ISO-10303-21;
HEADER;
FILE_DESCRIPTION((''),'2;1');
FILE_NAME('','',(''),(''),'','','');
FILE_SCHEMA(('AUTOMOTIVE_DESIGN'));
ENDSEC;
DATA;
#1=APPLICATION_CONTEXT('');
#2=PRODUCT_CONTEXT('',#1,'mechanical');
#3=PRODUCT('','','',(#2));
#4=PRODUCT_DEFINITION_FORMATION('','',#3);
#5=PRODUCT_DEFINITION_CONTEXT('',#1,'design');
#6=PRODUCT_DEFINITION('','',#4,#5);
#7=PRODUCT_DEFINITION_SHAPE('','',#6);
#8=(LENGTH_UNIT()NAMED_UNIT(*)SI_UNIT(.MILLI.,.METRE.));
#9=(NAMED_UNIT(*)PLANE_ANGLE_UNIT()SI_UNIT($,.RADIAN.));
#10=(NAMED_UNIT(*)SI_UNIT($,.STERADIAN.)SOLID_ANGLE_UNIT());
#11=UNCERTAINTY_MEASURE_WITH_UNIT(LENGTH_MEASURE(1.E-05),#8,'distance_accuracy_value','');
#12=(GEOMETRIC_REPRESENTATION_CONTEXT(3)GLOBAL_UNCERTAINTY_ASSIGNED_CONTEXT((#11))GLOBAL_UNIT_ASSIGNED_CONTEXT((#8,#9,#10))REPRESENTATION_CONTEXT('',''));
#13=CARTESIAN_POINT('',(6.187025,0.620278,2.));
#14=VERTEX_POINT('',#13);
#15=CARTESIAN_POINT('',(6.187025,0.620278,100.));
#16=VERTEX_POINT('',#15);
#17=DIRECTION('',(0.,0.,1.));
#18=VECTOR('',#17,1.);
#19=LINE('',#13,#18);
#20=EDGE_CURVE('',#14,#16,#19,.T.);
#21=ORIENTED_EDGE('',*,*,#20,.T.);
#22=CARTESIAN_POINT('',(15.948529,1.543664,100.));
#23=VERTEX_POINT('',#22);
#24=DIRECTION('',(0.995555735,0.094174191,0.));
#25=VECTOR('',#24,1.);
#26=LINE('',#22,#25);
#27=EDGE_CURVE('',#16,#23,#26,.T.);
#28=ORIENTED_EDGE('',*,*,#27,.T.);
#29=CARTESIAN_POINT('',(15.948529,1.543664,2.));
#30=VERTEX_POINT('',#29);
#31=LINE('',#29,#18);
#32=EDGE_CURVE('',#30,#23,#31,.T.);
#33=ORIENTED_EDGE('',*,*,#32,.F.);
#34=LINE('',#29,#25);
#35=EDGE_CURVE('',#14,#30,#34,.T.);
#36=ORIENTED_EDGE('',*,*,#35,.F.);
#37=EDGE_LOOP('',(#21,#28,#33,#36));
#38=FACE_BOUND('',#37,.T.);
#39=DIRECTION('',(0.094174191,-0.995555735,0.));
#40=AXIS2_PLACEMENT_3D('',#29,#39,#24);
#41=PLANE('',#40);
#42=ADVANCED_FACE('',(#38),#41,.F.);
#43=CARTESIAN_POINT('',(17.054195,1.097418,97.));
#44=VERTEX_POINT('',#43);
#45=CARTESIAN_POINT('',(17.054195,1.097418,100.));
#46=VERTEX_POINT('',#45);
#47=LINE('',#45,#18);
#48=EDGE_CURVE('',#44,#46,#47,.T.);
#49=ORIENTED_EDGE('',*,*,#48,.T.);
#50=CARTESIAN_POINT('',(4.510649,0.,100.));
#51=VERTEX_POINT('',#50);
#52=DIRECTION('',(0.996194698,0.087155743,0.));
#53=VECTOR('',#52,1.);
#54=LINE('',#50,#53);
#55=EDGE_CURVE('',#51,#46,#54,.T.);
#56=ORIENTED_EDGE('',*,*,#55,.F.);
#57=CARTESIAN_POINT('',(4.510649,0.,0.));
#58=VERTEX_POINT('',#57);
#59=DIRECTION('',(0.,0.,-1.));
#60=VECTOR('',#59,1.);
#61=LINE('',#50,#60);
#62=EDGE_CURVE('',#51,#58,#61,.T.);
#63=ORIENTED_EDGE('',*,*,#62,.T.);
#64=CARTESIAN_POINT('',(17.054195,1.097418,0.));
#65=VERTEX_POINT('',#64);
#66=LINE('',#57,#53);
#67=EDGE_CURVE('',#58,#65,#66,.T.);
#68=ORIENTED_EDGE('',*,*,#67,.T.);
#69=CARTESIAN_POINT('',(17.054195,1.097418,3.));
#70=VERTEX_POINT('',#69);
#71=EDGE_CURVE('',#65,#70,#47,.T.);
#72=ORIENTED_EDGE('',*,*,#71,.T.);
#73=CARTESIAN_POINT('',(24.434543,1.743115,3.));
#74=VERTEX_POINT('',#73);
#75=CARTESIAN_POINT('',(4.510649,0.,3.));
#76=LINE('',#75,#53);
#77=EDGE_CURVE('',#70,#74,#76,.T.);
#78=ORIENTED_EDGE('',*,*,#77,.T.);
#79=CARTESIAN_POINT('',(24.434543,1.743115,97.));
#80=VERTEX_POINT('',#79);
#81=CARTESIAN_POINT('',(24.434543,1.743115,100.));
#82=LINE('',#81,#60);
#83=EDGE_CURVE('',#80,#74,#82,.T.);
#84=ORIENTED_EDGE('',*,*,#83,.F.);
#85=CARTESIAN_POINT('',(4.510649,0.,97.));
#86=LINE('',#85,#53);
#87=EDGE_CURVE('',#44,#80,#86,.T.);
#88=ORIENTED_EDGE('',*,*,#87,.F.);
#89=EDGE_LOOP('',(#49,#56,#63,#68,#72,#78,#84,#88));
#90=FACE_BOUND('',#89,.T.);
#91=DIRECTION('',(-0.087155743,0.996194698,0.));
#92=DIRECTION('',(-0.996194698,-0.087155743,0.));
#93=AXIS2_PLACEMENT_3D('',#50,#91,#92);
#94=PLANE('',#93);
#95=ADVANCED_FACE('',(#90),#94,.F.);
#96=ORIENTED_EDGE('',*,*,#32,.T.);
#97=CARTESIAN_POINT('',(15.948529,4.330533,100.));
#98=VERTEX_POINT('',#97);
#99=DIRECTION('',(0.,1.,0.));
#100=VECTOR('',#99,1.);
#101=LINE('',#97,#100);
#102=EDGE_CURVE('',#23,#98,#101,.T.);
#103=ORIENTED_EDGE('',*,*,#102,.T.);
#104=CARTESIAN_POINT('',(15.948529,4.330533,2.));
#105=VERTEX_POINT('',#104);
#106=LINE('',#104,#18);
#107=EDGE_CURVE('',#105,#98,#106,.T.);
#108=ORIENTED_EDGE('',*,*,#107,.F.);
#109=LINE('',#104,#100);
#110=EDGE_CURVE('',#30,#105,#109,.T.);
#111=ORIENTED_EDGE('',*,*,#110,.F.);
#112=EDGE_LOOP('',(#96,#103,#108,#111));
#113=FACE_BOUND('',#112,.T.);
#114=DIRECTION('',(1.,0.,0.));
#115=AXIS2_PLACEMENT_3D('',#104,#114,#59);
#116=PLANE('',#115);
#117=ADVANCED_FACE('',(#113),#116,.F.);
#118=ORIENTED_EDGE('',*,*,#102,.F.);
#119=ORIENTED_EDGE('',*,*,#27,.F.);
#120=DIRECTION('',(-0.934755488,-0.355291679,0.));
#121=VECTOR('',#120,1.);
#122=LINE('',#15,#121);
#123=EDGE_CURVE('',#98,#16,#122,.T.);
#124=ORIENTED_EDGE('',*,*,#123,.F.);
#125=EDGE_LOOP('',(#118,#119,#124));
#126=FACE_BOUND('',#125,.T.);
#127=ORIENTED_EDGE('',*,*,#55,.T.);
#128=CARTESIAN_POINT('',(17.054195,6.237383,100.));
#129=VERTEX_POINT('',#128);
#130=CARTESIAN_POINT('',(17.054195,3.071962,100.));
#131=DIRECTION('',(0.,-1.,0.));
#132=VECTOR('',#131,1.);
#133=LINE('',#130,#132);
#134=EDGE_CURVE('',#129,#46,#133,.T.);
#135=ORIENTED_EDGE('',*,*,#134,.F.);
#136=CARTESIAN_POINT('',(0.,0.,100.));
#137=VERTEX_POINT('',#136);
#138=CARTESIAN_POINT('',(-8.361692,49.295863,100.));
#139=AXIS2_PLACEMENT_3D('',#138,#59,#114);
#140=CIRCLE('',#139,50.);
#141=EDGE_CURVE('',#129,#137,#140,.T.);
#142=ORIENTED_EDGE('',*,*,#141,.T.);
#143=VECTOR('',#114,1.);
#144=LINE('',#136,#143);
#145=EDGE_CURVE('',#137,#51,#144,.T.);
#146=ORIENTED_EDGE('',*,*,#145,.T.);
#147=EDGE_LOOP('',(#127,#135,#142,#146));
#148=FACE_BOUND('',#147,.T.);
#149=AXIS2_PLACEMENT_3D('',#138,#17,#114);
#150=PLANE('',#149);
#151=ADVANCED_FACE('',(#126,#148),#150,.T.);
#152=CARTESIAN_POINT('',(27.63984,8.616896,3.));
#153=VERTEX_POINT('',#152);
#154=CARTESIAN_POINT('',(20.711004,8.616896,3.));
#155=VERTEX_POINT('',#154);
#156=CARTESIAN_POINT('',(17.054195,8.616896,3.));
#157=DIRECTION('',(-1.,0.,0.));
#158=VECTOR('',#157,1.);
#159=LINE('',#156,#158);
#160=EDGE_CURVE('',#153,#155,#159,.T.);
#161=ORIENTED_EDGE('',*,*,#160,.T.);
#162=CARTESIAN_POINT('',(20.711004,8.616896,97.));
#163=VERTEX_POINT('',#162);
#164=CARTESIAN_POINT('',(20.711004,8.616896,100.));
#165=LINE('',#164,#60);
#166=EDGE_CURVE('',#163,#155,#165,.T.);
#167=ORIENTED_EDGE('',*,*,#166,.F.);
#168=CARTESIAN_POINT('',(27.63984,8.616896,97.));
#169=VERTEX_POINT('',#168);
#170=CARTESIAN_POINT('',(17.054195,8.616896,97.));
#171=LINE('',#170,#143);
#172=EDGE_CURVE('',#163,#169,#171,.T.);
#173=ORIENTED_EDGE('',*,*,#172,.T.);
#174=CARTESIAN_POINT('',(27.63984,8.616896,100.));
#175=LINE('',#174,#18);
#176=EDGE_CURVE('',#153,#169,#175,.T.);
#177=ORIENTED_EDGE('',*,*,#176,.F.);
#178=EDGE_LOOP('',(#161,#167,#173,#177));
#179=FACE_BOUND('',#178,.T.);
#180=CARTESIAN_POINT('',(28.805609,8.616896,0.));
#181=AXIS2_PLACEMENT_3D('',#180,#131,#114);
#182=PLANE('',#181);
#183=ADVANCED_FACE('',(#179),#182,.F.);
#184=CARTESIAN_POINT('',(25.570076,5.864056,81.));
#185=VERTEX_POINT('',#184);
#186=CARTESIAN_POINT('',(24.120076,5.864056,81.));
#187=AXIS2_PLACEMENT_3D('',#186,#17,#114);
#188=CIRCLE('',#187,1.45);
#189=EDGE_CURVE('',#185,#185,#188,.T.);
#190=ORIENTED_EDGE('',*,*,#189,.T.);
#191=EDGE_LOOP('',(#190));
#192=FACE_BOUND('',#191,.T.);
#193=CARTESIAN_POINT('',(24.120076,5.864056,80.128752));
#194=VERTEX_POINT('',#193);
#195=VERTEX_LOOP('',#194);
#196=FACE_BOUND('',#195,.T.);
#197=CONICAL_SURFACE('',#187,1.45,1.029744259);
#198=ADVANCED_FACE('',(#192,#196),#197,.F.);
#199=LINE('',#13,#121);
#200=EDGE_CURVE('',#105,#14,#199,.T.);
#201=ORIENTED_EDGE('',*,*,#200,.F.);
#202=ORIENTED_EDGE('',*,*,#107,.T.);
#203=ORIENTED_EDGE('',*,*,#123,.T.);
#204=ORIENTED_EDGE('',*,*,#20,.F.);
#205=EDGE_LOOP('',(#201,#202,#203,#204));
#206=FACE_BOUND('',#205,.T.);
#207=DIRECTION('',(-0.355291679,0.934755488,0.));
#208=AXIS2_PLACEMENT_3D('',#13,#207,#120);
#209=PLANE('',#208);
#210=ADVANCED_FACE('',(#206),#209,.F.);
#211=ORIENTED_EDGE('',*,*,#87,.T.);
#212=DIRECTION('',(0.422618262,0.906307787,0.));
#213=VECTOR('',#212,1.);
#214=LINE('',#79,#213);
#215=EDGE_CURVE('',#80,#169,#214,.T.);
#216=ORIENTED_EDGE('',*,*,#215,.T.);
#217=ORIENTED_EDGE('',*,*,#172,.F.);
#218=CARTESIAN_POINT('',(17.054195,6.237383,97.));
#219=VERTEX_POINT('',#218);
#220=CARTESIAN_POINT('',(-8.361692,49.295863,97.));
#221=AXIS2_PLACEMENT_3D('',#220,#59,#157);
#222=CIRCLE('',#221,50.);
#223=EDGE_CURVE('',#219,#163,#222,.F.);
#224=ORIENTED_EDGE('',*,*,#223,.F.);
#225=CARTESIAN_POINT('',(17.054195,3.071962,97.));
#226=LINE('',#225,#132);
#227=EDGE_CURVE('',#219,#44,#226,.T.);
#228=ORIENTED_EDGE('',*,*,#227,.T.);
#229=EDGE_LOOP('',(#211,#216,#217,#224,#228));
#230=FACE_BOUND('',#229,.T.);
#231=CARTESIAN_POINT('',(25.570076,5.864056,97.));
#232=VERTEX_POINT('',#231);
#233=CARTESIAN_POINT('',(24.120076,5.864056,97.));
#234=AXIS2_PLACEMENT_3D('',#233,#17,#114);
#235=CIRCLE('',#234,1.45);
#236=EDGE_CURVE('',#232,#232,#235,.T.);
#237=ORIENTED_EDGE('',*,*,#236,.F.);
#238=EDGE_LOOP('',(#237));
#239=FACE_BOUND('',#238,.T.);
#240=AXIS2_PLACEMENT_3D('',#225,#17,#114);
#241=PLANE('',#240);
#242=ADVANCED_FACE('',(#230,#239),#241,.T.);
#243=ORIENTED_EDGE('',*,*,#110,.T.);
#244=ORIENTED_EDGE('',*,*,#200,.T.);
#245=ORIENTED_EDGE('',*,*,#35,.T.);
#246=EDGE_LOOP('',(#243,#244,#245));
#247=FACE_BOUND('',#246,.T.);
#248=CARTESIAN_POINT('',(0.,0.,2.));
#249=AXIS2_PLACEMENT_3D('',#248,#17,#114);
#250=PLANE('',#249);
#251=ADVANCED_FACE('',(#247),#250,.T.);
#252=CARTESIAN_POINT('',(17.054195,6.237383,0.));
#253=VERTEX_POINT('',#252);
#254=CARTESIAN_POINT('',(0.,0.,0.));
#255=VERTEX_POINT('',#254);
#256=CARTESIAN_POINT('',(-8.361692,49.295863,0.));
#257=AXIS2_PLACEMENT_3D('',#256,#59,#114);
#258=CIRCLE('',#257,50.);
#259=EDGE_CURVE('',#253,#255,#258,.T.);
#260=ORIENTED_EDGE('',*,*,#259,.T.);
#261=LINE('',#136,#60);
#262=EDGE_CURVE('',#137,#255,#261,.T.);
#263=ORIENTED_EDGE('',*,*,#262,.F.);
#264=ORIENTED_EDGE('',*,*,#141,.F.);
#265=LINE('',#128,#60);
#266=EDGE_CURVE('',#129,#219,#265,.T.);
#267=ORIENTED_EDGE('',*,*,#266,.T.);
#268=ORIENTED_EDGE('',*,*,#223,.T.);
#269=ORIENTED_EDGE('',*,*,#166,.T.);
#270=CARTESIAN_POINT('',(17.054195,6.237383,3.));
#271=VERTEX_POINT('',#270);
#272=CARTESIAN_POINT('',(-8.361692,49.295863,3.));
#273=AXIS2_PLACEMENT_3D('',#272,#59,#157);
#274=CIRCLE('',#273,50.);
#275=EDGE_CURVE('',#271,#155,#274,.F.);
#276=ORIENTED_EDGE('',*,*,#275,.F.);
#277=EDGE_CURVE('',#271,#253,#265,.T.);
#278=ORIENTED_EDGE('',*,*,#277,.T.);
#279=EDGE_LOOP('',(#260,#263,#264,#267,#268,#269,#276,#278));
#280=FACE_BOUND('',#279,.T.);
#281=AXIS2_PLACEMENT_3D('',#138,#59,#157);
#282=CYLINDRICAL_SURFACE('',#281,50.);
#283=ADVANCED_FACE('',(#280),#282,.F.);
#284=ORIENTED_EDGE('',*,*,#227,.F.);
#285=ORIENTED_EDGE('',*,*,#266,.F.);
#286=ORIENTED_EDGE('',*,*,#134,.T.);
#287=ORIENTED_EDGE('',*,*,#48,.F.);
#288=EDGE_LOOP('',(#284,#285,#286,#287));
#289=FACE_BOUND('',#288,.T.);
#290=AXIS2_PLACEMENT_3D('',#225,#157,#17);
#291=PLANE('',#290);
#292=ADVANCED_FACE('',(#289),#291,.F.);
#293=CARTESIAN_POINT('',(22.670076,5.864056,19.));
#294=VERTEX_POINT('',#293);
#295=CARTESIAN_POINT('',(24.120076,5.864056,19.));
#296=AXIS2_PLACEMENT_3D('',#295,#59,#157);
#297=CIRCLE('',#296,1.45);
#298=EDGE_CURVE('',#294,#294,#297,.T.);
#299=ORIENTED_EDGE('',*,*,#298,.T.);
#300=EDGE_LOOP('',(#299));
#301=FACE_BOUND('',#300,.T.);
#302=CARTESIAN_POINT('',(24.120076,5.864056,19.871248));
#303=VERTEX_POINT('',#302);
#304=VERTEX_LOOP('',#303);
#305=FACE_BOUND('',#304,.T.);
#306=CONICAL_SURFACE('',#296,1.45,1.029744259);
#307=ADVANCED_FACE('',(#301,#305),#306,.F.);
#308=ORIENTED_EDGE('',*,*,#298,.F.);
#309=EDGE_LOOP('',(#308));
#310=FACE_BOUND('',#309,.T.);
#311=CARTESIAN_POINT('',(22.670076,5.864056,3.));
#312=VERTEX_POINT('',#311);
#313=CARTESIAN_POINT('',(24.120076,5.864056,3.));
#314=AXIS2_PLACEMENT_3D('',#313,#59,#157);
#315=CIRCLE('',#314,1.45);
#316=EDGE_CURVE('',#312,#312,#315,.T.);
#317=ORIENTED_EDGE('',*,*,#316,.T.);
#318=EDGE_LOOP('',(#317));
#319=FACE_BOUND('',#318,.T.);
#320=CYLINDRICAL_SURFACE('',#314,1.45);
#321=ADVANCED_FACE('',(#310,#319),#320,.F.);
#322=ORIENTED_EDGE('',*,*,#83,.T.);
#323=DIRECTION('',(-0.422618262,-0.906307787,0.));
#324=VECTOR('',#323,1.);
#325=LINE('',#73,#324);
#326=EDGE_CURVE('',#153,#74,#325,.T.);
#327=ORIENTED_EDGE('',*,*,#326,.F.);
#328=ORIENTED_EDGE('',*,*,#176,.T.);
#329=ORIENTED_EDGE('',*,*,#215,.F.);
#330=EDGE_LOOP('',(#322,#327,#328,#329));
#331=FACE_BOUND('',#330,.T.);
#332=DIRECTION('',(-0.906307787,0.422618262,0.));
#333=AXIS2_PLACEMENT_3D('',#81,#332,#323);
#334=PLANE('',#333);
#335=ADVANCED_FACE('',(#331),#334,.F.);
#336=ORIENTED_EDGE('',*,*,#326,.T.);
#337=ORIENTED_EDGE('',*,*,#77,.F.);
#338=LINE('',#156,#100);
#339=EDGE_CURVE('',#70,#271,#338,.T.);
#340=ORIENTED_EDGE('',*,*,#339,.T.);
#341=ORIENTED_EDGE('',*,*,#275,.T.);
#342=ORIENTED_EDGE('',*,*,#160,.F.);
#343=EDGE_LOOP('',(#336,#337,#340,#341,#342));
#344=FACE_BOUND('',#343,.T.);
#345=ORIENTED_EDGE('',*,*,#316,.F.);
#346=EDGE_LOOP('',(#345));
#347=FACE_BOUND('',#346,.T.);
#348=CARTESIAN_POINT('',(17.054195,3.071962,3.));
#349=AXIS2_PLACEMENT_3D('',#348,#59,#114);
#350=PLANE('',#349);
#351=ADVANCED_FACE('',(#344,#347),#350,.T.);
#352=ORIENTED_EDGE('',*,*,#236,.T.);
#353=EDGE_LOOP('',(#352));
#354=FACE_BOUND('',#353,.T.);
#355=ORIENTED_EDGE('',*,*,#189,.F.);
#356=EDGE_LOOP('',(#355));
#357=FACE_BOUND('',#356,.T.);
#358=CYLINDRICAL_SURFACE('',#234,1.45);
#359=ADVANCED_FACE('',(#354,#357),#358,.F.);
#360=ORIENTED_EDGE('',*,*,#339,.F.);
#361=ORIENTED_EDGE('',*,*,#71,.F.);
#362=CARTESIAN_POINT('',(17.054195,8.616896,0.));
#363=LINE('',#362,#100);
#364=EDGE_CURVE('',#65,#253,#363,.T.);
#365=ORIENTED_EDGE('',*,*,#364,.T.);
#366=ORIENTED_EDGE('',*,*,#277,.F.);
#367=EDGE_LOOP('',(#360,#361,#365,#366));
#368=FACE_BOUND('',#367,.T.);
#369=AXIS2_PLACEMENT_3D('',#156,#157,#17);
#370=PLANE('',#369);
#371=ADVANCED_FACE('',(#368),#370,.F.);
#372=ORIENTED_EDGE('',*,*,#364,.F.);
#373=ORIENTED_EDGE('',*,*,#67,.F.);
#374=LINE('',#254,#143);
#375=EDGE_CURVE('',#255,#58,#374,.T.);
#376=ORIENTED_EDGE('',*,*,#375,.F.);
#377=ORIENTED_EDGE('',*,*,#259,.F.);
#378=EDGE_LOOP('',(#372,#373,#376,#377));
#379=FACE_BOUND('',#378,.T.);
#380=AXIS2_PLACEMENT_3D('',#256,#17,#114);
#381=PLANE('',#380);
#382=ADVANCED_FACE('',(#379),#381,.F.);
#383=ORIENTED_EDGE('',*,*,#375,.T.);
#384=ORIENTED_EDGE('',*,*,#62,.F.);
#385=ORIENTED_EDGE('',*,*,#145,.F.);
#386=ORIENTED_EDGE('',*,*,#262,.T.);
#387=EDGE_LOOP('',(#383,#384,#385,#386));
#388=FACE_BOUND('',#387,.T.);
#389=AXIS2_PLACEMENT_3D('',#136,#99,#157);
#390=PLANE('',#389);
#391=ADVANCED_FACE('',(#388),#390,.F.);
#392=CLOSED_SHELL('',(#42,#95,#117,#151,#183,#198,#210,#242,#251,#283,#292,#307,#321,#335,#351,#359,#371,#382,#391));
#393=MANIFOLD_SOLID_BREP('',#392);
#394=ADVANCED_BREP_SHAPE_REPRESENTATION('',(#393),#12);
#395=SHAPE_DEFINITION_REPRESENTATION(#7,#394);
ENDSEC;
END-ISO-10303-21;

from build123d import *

# Parameters (mm, degrees)
EXTRUDE1_DEPTH     = 100
EXTRUDE5_DEPTH     = 3
SKETCH17_W         = 35
SKETCH17_H         = 13.283913387
CUT_EXTRUDE1_DEPTH = 100
SKETCH19_W         = 24.898249574
SKETCH19_H         = 2.5
CUT_EXTRUDE2_DEPTH = 100
CUT_EXTRUDE3_DEPTH = 98
SKETCH21_W         = 6.656858378
SKETCH21_H         = 5.544933951
CUT_EXTRUDE5_DEPTH = 3
SKETCH23_W         = 11.264163756
SKETCH23_H         = 3.071962193
CUT_EXTRUDE6_DEPTH = 3
SKETCH24_W         = 6.656858378
SKETCH24_H         = 5.544933951
CUT_EXTRUDE7_DEPTH = 3
SKETCH25_W         = 8.129030682
SKETCH25_H         = 5.409731787
CUT_EXTRUDE8_DEPTH = 3


with BuildPart() as part:
    # Sketch1 → Extrude1 (new body)
    with BuildSketch(Plane.XY):
        with BuildLine():
            Line((24.434543456, 1.743114855), (35, 24.400809531))
            ThreePointArc((35, 24.400809531), (20.23335986, 8.279731765), (0, 0))
            Line((0, 0), (4.510649495, 0))
            Line((4.510649495, 0), (24.434543456, 1.743114855))
        make_face()
    extrude(amount=EXTRUDE1_DEPTH)

    # Sketch10 → Extrude5 (cut)
    with BuildSketch(Plane.XY.offset(100)):
        Polygon((27.084425545, 11.426798952), (29.084425545, 11.066694717), (24.434543456, 1.743114855), (17.054195147, 3.071962193), align=None)
    extrude5 = extrude(amount=-EXTRUDE5_DEPTH, mode=Mode.SUBTRACT)

    # Mirror2: Extrude5 across plane
    add(extrude5.mirror(Plane.XY.offset(50)), mode=Mode.SUBTRACT)

    # Sketch16 → M2.5 Clearance Hole2 (revolve, cut)
    with BuildSketch(Plane(origin=(24.120076457, 5.864055695, 97), x_dir=(0, -1, 0), z_dir=(1, 0, 0))):
        Polygon((0, 0), (0, 16.871247898), (1.45, 16), (1.45, 0), align=None)
    m2_5_clearance_hole2 = revolve(axis=Axis((24.120076457, 5.864055695, 103.35), (0, 0, -1)), mode=Mode.SUBTRACT)

    # Mirror3: M2.5 Clearance Hole2 across plane
    add(m2_5_clearance_hole2.mirror(Plane.XY.offset(50)), mode=Mode.SUBTRACT)

    # Sketch17 → Cut-Extrude1 (cut)
    with BuildSketch(Plane.XY.offset(100)):
        with Locations((17.5, 17.758852838)):
            Rectangle(SKETCH17_W, SKETCH17_H)
    extrude(amount=-CUT_EXTRUDE1_DEPTH, mode=Mode.SUBTRACT)

    # Sketch19 → Cut-Extrude2 (cut)
    with BuildSketch(Plane.XY.offset(100)):
        with Locations((16.356484671, 9.866896144)):
            Rectangle(SKETCH19_W, SKETCH19_H)
    extrude(amount=-CUT_EXTRUDE2_DEPTH, mode=Mode.SUBTRACT)

    # Sketch20 → Cut-Extrude3 (cut)
    with BuildSketch(Plane.XY.offset(100)):
        Polygon((6.18702488, 0.620277991), (15.948528927, 4.330532923), (15.948528927, 1.543663509), align=None)
    extrude(amount=-CUT_EXTRUDE3_DEPTH, mode=Mode.SUBTRACT)

    # Sketch21 → Cut-Extrude5 (cut)
    with BuildSketch(Plane.XY.offset(100)):
        with Locations((20.382624336, 5.844429168)):
            Rectangle(SKETCH21_W, SKETCH21_H)
    extrude(amount=-CUT_EXTRUDE5_DEPTH, mode=Mode.SUBTRACT)

    # Sketch23 → Cut-Extrude6 (cut)
    with BuildSketch(Plane.XY.offset(100)):
        with Locations((22.686277025, 1.535981097)):
            Rectangle(SKETCH23_W, SKETCH23_H)
    extrude(amount=-CUT_EXTRUDE6_DEPTH, mode=Mode.SUBTRACT)

    # Sketch24 → Cut-Extrude7 (cut)
    with BuildSketch(Plane(origin=(0, 0, 0), x_dir=(-1, 0, 0), z_dir=(0, 0, -1))):
        with Locations((-20.382624336, 5.844429168)):
            Rectangle(SKETCH24_W, SKETCH24_H)
    extrude(amount=-CUT_EXTRUDE7_DEPTH, mode=Mode.SUBTRACT)

    # Sketch25 → Cut-Extrude8 (cut)
    with BuildSketch(Plane(origin=(0, 0, 0), x_dir=(-1, 0, 0), z_dir=(0, 0, -1))):
        with Locations((-21.118710488, 0.3670963)):
            Rectangle(SKETCH25_W, SKETCH25_H)
    extrude(amount=-CUT_EXTRUDE8_DEPTH, mode=Mode.SUBTRACT)


solid = part.part
